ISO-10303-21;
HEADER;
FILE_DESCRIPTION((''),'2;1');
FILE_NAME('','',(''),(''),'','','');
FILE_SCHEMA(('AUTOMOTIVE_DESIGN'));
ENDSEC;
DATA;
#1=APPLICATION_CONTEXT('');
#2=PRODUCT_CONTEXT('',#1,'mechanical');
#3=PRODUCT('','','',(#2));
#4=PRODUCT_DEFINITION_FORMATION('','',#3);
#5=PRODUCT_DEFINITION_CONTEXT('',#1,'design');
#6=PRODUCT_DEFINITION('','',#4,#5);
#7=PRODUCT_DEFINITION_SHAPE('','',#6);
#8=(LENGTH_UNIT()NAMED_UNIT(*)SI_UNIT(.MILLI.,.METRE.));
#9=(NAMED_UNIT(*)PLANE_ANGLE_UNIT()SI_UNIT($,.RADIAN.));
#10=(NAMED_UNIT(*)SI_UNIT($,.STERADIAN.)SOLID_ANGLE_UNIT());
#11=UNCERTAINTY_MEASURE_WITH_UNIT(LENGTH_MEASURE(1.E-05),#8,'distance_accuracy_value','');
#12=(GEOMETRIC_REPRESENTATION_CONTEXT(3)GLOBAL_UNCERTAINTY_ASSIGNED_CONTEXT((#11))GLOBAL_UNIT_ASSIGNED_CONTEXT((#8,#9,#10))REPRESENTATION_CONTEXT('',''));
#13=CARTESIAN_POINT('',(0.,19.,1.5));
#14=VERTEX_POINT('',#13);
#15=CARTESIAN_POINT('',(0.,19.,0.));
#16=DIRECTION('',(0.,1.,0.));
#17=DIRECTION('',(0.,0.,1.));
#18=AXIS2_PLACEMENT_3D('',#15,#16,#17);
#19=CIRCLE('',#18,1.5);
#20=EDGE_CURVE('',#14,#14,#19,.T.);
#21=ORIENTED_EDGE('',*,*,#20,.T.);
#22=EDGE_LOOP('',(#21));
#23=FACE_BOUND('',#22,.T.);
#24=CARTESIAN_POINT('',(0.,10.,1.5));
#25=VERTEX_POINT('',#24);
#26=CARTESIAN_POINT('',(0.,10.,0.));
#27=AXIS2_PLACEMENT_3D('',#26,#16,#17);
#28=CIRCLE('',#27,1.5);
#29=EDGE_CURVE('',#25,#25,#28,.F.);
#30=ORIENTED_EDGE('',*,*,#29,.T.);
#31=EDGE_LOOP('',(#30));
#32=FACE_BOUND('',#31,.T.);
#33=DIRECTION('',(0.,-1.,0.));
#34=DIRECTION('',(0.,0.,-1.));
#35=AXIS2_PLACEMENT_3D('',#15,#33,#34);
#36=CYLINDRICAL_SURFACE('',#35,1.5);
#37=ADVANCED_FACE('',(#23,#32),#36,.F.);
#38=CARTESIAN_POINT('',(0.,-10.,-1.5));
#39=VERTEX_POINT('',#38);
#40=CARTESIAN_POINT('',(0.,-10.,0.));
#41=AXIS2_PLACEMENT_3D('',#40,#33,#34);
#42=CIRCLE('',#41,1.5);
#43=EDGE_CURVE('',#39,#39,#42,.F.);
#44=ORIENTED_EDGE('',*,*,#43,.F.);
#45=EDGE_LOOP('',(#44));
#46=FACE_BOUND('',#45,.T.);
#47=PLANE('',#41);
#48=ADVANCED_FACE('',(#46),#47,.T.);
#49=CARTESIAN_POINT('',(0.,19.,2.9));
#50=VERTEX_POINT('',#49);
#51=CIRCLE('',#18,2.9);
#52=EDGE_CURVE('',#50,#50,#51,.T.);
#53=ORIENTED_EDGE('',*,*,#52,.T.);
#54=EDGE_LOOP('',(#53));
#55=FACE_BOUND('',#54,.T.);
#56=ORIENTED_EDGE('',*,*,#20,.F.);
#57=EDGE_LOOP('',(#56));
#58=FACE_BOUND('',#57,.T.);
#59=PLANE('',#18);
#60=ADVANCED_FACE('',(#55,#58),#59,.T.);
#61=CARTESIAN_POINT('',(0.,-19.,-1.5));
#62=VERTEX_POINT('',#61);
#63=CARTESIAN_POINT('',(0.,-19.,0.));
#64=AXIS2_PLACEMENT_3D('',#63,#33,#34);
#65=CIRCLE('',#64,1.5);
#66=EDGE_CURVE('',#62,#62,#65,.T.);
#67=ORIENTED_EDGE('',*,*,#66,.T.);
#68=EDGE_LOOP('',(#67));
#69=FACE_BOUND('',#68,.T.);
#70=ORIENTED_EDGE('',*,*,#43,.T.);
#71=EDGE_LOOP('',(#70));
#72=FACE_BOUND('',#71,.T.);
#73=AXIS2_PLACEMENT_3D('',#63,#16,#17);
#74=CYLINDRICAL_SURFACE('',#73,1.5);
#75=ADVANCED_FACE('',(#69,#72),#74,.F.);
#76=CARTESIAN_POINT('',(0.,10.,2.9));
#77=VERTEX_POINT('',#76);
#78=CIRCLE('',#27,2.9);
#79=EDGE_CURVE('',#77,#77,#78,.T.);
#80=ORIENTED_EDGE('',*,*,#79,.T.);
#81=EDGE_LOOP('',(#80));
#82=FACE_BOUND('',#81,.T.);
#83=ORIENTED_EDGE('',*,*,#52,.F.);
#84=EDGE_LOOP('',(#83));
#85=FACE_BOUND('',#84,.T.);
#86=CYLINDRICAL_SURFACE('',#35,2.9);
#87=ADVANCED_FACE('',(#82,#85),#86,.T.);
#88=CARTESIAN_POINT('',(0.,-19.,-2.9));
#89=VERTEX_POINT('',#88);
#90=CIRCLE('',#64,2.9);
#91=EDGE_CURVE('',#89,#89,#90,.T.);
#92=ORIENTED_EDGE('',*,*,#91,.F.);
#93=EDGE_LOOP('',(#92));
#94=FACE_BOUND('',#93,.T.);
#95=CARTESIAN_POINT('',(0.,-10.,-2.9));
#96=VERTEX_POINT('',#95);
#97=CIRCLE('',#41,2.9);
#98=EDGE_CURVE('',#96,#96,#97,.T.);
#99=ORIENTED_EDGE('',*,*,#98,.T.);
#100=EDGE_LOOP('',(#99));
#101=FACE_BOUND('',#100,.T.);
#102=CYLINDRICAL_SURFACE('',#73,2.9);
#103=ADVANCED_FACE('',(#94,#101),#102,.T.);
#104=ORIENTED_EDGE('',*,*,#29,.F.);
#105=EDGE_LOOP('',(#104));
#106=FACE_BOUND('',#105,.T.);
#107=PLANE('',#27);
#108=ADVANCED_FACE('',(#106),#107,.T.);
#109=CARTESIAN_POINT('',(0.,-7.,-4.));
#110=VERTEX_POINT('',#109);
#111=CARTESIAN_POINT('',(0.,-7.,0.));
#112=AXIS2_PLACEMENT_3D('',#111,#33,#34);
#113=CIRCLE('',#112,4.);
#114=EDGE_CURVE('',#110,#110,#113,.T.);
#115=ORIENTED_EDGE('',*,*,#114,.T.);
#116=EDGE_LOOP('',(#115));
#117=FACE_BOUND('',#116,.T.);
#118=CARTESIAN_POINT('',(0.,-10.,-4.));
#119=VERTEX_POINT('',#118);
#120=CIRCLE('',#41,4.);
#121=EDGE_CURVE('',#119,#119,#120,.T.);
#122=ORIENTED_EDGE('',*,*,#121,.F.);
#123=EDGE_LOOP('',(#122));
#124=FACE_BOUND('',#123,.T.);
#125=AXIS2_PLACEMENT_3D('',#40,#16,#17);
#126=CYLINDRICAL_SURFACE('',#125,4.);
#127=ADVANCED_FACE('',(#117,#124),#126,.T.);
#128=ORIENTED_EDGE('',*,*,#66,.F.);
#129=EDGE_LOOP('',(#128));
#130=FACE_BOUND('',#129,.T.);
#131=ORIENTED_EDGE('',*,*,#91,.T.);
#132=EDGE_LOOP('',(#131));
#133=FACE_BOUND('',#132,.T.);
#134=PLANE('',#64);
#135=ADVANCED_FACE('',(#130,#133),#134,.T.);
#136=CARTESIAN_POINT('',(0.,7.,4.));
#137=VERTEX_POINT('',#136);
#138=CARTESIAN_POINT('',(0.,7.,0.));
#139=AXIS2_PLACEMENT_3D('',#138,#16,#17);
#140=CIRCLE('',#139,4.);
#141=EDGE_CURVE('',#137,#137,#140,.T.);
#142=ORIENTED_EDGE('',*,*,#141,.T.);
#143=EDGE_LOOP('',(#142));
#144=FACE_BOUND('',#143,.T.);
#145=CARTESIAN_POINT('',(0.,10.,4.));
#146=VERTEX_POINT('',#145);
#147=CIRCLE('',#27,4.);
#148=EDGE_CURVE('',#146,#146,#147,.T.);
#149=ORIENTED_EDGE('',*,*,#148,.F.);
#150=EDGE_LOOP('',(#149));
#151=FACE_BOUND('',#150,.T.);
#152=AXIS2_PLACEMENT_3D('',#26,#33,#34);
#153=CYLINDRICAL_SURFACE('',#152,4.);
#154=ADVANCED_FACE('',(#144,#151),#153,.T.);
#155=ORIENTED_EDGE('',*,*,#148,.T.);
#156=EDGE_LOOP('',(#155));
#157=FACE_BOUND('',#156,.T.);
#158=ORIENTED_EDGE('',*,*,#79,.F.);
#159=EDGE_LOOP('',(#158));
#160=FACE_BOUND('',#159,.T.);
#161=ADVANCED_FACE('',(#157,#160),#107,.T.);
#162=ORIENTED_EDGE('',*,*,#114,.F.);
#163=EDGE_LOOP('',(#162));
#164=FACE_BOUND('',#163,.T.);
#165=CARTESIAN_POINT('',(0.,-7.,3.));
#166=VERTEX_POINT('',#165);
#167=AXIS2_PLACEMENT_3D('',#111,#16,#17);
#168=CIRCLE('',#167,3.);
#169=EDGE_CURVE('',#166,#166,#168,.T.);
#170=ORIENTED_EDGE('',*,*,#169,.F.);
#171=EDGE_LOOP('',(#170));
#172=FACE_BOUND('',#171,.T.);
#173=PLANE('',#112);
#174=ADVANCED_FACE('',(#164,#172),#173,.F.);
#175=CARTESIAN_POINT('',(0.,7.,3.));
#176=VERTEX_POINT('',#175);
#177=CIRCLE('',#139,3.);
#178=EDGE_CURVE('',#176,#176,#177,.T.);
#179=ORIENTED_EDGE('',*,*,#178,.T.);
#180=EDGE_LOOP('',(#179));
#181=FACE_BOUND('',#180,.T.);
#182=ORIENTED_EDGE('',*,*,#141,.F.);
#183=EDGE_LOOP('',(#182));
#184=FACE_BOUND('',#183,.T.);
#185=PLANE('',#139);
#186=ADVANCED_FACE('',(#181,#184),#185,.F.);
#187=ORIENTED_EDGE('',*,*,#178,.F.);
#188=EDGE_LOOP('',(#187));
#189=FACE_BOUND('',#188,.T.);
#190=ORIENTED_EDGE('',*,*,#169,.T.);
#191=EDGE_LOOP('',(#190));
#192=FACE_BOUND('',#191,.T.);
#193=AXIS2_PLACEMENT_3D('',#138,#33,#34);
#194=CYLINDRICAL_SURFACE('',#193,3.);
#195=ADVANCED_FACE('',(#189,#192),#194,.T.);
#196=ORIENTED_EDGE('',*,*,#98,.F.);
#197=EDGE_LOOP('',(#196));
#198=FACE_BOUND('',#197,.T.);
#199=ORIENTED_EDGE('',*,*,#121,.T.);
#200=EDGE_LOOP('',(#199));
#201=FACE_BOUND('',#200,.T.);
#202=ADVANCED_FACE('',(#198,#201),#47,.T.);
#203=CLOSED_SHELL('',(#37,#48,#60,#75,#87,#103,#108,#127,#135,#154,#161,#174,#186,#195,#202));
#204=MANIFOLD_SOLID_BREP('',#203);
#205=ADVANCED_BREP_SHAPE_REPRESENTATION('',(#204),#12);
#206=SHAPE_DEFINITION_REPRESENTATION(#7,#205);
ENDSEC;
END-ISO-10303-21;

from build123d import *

# Parameters (mm, degrees)
SKETCH1_R           = 3
BOSS_EXTRUDE1_DEPTH = 7
SKETCH2_R           = 4
BOSS_EXTRUDE2_DEPTH = 3
SKETCH3_R           = 4
BOSS_EXTRUDE3_DEPTH = 3
SKETCH4_R           = 2.9
SKETCH4_R_2         = 1.5
BOSS_EXTRUDE5_DEPTH = 9
SKETCH5_R           = 2.9
SKETCH5_R_2         = 1.5
BOSS_EXTRUDE6_DEPTH = 9


with BuildPart() as part:
    # Sketch1 → Boss-Extrude1 (new body, symmetric)
    with BuildSketch(Plane(origin=(0, 0, 0), x_dir=(1, 0, 0), z_dir=(0, 1, 0))):
        Circle(SKETCH1_R)
    extrude(amount=BOSS_EXTRUDE1_DEPTH, both=True)

    # Sketch2 → Boss-Extrude2 (add)
    with BuildSketch(Plane.XZ.offset(7)):
        Circle(SKETCH2_R)
    extrude(amount=BOSS_EXTRUDE2_DEPTH)

    # Sketch3 → Boss-Extrude3 (add)
    with BuildSketch(Plane(origin=(0, 7, 0), x_dir=(1, 0, 0), z_dir=(0, 1, 0))):
        Circle(SKETCH3_R)
    extrude(amount=BOSS_EXTRUDE3_DEPTH)

    # Sketch4 → Boss-Extrude5 (add)
    with BuildSketch(Plane.XZ.offset(10)):
        Circle(SKETCH4_R)
        Circle(SKETCH4_R_2, mode=Mode.SUBTRACT)
    extrude(amount=BOSS_EXTRUDE5_DEPTH)

    # Sketch5 → Boss-Extrude6 (add)
    with BuildSketch(Plane(origin=(0, 10, 0), x_dir=(1, 0, 0), z_dir=(0, 1, 0))):
        Circle(SKETCH5_R)
        Circle(SKETCH5_R_2, mode=Mode.SUBTRACT)
    extrude(amount=BOSS_EXTRUDE6_DEPTH)


solid = part.part
